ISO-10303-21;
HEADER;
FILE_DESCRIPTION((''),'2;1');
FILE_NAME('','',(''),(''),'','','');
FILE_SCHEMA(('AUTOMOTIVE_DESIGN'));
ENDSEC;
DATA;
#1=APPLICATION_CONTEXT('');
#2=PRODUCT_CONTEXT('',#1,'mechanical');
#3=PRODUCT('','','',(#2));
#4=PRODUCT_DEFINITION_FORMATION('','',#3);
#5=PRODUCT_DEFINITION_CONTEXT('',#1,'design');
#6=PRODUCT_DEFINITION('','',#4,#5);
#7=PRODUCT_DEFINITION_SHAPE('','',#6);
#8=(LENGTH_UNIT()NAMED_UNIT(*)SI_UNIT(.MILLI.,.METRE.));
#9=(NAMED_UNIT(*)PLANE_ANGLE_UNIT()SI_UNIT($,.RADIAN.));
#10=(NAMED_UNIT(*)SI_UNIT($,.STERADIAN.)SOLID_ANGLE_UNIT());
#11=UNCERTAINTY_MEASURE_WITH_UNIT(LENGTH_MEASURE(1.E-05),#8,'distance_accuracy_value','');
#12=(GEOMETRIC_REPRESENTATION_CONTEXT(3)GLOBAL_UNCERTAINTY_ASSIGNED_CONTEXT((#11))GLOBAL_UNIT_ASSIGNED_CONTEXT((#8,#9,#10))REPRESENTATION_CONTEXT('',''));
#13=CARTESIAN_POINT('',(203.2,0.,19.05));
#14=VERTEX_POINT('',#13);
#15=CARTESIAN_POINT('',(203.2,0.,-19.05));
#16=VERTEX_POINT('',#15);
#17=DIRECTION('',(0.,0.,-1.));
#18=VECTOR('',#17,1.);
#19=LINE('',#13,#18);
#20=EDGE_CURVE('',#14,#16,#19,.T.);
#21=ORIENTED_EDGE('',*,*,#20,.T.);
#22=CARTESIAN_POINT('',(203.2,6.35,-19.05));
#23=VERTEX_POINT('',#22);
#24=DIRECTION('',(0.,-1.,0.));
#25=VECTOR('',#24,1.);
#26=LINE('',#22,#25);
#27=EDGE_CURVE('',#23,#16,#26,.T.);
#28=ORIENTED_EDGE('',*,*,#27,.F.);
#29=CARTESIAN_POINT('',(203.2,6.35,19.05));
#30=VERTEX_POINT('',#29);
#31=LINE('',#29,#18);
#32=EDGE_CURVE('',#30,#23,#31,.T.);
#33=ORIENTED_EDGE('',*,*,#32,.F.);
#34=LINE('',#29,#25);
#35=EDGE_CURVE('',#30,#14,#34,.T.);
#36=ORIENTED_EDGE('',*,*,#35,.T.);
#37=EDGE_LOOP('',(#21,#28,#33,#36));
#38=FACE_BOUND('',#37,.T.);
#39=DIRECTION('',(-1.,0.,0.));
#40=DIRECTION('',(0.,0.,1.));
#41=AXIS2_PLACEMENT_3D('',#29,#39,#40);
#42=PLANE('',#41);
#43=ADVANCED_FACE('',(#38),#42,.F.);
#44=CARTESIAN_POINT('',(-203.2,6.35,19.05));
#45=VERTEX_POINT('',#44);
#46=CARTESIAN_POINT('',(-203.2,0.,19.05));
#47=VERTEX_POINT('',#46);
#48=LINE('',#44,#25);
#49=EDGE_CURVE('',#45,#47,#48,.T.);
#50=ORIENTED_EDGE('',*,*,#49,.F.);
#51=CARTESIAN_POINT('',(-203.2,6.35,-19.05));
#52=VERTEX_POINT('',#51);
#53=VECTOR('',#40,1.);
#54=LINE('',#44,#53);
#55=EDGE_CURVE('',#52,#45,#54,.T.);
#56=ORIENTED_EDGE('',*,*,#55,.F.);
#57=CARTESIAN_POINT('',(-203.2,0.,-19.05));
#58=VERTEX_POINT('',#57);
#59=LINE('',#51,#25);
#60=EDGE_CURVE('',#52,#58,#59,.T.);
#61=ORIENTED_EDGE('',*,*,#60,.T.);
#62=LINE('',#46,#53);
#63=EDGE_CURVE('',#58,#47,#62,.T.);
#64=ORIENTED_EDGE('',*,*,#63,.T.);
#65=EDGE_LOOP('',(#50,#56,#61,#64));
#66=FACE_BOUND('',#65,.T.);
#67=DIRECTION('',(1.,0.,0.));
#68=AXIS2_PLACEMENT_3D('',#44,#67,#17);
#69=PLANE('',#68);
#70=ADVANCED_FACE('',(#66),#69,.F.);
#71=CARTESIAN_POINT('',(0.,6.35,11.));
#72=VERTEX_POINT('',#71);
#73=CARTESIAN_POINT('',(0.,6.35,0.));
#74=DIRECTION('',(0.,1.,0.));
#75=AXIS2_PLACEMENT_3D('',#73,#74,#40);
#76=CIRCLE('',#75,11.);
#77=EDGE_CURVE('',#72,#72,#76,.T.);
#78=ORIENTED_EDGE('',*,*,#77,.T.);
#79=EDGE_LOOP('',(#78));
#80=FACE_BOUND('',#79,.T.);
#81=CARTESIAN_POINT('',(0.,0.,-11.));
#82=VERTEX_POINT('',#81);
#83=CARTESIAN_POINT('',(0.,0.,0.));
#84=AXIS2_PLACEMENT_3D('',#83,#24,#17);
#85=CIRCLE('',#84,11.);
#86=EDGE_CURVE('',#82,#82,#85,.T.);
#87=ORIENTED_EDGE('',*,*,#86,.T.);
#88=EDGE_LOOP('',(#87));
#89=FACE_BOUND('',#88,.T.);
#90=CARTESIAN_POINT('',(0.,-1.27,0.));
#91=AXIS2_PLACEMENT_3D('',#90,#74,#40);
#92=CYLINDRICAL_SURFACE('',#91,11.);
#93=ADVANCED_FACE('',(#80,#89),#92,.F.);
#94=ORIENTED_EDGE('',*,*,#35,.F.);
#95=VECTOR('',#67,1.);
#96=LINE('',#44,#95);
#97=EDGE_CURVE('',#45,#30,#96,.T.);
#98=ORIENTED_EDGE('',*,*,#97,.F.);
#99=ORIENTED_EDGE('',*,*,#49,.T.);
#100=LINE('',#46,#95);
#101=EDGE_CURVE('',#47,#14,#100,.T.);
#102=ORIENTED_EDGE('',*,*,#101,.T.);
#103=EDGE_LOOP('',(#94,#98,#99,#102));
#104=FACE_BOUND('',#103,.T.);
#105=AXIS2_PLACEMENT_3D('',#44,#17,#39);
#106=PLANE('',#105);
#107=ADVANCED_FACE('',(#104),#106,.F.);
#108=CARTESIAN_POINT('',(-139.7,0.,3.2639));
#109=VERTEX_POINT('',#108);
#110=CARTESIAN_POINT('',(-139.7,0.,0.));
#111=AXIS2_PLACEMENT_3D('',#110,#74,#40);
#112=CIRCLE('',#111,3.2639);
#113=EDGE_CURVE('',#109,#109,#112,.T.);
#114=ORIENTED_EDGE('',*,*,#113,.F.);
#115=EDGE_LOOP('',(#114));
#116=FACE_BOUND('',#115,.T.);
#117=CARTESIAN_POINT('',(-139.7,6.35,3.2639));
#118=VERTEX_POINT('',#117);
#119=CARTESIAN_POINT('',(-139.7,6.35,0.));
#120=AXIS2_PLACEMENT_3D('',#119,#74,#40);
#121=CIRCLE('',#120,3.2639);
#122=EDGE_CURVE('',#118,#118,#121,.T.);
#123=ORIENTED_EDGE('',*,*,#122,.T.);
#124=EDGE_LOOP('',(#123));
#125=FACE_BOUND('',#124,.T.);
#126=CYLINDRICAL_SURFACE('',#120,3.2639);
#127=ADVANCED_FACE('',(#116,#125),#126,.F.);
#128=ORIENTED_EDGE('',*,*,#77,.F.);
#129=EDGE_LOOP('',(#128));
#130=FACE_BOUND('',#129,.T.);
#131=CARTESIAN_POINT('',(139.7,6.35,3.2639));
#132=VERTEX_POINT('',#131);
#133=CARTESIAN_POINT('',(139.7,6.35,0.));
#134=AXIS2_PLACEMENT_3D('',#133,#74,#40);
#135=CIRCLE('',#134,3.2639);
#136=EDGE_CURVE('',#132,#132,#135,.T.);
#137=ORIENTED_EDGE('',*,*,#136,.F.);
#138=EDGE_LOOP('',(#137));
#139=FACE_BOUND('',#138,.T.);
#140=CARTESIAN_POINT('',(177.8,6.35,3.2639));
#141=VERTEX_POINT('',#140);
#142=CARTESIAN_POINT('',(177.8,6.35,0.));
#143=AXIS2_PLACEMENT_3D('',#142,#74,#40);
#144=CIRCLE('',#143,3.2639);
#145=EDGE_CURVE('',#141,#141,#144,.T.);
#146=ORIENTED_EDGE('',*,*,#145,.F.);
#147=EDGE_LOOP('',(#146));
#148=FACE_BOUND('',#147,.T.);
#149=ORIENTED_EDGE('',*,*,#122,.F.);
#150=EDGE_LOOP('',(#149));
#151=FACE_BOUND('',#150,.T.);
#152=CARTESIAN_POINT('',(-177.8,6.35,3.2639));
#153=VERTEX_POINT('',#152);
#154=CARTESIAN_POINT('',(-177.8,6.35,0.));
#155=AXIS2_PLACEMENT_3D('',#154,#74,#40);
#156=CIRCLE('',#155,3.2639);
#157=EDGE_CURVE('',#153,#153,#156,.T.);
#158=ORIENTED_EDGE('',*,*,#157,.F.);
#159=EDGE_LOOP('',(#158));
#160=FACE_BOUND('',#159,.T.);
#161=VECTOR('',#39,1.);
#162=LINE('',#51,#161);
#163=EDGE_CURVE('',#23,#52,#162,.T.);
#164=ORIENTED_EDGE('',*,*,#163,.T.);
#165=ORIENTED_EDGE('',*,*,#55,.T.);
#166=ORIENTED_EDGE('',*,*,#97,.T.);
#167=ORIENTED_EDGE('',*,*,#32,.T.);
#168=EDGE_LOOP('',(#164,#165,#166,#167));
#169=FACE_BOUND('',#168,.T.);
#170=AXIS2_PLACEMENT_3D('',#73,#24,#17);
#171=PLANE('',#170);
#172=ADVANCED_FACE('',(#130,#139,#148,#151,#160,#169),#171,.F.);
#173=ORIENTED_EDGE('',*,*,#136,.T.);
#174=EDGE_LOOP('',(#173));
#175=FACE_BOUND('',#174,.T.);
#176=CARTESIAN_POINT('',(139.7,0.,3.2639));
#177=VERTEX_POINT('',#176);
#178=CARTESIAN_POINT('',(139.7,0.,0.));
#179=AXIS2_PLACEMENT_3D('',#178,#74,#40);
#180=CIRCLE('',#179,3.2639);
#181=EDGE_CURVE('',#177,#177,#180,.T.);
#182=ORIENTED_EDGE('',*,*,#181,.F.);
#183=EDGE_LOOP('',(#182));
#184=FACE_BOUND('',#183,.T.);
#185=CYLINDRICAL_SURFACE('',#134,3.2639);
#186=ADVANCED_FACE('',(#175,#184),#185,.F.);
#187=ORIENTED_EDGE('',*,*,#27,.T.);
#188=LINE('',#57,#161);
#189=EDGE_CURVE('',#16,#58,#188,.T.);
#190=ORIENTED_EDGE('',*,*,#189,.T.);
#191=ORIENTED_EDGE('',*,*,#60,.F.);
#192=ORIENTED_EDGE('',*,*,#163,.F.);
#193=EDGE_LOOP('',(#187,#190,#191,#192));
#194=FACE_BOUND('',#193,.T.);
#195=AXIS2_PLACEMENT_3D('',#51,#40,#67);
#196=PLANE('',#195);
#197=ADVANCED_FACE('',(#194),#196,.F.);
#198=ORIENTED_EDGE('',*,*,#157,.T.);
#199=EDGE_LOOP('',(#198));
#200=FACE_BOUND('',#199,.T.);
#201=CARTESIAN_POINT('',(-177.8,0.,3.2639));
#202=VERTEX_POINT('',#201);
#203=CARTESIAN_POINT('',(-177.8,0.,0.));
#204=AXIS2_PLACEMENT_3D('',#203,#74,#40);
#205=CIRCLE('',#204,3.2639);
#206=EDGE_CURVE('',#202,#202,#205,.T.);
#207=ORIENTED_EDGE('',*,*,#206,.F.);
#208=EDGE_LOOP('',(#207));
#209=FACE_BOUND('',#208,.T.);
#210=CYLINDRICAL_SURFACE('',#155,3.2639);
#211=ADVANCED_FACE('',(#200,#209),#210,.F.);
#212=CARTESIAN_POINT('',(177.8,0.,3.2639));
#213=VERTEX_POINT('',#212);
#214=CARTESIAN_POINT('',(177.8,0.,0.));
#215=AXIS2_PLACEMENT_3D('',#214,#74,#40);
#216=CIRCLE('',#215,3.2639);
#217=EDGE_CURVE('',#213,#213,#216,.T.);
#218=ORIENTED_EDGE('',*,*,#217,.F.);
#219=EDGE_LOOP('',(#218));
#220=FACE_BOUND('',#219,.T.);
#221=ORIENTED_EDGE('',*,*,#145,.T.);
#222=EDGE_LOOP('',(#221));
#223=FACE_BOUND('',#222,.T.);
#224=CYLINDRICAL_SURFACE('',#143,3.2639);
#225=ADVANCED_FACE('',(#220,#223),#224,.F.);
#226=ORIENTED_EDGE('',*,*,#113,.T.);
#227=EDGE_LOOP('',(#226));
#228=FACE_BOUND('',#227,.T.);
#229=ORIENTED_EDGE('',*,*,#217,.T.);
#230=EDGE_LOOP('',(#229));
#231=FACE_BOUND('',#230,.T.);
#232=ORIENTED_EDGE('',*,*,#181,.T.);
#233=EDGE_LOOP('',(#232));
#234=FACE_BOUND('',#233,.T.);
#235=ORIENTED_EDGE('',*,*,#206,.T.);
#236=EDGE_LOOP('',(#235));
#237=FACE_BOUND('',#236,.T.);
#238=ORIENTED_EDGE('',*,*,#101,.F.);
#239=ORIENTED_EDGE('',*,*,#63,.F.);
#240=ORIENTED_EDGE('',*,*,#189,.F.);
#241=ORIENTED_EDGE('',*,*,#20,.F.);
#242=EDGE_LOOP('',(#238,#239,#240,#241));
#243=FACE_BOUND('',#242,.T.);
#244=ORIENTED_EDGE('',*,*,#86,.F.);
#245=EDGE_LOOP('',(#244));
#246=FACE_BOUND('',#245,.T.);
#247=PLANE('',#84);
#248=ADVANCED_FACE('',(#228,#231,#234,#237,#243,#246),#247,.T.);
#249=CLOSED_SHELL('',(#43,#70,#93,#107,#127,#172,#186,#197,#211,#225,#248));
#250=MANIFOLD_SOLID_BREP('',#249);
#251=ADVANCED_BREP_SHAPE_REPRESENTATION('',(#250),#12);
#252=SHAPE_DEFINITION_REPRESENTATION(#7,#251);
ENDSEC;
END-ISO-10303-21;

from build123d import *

# Parameters (mm, degrees)
SKETCH1_W                = 406.4
SKETCH1_H                = 38.1
BOSS_EXTRUDE1_DEPTH      = 6.35
SKETCH2_R                = 11
CUT_EXTRUDE1_DEPTH       = 7.62
F_0_257_DIAMETER_HOLE1_D = 6.5278


with BuildPart() as part:
    # Sketch1 → Boss-Extrude1 (new body)
    with BuildSketch(Plane(origin=(0, 0, 0), x_dir=(1, 0, 0), z_dir=(0, 1, 0))):
        Rectangle(SKETCH1_W, SKETCH1_H)
    extrude(amount=BOSS_EXTRUDE1_DEPTH)

    # Sketch2 → Cut-Extrude1 (cut)
    with BuildSketch(Plane(origin=(0, 6.35, 0), x_dir=(1, 0, 0), z_dir=(0, 1, 0))):
        Circle(SKETCH2_R)
    extrude(amount=-CUT_EXTRUDE1_DEPTH, mode=Mode.SUBTRACT)

    # F (0.257) Diameter Hole1 (through all)
    with Locations(Plane(origin=(0, 6.35, 0), x_dir=(1, 0, 0), z_dir=(0, 1, 0))):
        with Locations((177.8, 0), (139.7, 0)):
            f_0_257_diameter_hole1 = Hole(F_0_257_DIAMETER_HOLE1_D / 2)

    # Mirror1: F (0.257) Diameter Hole1 across plane
    add(f_0_257_diameter_hole1.mirror(Plane(origin=(0, 0, 0), x_dir=(0, 0, 1), z_dir=(1, 0, 0))), mode=Mode.SUBTRACT)


solid = part.part
